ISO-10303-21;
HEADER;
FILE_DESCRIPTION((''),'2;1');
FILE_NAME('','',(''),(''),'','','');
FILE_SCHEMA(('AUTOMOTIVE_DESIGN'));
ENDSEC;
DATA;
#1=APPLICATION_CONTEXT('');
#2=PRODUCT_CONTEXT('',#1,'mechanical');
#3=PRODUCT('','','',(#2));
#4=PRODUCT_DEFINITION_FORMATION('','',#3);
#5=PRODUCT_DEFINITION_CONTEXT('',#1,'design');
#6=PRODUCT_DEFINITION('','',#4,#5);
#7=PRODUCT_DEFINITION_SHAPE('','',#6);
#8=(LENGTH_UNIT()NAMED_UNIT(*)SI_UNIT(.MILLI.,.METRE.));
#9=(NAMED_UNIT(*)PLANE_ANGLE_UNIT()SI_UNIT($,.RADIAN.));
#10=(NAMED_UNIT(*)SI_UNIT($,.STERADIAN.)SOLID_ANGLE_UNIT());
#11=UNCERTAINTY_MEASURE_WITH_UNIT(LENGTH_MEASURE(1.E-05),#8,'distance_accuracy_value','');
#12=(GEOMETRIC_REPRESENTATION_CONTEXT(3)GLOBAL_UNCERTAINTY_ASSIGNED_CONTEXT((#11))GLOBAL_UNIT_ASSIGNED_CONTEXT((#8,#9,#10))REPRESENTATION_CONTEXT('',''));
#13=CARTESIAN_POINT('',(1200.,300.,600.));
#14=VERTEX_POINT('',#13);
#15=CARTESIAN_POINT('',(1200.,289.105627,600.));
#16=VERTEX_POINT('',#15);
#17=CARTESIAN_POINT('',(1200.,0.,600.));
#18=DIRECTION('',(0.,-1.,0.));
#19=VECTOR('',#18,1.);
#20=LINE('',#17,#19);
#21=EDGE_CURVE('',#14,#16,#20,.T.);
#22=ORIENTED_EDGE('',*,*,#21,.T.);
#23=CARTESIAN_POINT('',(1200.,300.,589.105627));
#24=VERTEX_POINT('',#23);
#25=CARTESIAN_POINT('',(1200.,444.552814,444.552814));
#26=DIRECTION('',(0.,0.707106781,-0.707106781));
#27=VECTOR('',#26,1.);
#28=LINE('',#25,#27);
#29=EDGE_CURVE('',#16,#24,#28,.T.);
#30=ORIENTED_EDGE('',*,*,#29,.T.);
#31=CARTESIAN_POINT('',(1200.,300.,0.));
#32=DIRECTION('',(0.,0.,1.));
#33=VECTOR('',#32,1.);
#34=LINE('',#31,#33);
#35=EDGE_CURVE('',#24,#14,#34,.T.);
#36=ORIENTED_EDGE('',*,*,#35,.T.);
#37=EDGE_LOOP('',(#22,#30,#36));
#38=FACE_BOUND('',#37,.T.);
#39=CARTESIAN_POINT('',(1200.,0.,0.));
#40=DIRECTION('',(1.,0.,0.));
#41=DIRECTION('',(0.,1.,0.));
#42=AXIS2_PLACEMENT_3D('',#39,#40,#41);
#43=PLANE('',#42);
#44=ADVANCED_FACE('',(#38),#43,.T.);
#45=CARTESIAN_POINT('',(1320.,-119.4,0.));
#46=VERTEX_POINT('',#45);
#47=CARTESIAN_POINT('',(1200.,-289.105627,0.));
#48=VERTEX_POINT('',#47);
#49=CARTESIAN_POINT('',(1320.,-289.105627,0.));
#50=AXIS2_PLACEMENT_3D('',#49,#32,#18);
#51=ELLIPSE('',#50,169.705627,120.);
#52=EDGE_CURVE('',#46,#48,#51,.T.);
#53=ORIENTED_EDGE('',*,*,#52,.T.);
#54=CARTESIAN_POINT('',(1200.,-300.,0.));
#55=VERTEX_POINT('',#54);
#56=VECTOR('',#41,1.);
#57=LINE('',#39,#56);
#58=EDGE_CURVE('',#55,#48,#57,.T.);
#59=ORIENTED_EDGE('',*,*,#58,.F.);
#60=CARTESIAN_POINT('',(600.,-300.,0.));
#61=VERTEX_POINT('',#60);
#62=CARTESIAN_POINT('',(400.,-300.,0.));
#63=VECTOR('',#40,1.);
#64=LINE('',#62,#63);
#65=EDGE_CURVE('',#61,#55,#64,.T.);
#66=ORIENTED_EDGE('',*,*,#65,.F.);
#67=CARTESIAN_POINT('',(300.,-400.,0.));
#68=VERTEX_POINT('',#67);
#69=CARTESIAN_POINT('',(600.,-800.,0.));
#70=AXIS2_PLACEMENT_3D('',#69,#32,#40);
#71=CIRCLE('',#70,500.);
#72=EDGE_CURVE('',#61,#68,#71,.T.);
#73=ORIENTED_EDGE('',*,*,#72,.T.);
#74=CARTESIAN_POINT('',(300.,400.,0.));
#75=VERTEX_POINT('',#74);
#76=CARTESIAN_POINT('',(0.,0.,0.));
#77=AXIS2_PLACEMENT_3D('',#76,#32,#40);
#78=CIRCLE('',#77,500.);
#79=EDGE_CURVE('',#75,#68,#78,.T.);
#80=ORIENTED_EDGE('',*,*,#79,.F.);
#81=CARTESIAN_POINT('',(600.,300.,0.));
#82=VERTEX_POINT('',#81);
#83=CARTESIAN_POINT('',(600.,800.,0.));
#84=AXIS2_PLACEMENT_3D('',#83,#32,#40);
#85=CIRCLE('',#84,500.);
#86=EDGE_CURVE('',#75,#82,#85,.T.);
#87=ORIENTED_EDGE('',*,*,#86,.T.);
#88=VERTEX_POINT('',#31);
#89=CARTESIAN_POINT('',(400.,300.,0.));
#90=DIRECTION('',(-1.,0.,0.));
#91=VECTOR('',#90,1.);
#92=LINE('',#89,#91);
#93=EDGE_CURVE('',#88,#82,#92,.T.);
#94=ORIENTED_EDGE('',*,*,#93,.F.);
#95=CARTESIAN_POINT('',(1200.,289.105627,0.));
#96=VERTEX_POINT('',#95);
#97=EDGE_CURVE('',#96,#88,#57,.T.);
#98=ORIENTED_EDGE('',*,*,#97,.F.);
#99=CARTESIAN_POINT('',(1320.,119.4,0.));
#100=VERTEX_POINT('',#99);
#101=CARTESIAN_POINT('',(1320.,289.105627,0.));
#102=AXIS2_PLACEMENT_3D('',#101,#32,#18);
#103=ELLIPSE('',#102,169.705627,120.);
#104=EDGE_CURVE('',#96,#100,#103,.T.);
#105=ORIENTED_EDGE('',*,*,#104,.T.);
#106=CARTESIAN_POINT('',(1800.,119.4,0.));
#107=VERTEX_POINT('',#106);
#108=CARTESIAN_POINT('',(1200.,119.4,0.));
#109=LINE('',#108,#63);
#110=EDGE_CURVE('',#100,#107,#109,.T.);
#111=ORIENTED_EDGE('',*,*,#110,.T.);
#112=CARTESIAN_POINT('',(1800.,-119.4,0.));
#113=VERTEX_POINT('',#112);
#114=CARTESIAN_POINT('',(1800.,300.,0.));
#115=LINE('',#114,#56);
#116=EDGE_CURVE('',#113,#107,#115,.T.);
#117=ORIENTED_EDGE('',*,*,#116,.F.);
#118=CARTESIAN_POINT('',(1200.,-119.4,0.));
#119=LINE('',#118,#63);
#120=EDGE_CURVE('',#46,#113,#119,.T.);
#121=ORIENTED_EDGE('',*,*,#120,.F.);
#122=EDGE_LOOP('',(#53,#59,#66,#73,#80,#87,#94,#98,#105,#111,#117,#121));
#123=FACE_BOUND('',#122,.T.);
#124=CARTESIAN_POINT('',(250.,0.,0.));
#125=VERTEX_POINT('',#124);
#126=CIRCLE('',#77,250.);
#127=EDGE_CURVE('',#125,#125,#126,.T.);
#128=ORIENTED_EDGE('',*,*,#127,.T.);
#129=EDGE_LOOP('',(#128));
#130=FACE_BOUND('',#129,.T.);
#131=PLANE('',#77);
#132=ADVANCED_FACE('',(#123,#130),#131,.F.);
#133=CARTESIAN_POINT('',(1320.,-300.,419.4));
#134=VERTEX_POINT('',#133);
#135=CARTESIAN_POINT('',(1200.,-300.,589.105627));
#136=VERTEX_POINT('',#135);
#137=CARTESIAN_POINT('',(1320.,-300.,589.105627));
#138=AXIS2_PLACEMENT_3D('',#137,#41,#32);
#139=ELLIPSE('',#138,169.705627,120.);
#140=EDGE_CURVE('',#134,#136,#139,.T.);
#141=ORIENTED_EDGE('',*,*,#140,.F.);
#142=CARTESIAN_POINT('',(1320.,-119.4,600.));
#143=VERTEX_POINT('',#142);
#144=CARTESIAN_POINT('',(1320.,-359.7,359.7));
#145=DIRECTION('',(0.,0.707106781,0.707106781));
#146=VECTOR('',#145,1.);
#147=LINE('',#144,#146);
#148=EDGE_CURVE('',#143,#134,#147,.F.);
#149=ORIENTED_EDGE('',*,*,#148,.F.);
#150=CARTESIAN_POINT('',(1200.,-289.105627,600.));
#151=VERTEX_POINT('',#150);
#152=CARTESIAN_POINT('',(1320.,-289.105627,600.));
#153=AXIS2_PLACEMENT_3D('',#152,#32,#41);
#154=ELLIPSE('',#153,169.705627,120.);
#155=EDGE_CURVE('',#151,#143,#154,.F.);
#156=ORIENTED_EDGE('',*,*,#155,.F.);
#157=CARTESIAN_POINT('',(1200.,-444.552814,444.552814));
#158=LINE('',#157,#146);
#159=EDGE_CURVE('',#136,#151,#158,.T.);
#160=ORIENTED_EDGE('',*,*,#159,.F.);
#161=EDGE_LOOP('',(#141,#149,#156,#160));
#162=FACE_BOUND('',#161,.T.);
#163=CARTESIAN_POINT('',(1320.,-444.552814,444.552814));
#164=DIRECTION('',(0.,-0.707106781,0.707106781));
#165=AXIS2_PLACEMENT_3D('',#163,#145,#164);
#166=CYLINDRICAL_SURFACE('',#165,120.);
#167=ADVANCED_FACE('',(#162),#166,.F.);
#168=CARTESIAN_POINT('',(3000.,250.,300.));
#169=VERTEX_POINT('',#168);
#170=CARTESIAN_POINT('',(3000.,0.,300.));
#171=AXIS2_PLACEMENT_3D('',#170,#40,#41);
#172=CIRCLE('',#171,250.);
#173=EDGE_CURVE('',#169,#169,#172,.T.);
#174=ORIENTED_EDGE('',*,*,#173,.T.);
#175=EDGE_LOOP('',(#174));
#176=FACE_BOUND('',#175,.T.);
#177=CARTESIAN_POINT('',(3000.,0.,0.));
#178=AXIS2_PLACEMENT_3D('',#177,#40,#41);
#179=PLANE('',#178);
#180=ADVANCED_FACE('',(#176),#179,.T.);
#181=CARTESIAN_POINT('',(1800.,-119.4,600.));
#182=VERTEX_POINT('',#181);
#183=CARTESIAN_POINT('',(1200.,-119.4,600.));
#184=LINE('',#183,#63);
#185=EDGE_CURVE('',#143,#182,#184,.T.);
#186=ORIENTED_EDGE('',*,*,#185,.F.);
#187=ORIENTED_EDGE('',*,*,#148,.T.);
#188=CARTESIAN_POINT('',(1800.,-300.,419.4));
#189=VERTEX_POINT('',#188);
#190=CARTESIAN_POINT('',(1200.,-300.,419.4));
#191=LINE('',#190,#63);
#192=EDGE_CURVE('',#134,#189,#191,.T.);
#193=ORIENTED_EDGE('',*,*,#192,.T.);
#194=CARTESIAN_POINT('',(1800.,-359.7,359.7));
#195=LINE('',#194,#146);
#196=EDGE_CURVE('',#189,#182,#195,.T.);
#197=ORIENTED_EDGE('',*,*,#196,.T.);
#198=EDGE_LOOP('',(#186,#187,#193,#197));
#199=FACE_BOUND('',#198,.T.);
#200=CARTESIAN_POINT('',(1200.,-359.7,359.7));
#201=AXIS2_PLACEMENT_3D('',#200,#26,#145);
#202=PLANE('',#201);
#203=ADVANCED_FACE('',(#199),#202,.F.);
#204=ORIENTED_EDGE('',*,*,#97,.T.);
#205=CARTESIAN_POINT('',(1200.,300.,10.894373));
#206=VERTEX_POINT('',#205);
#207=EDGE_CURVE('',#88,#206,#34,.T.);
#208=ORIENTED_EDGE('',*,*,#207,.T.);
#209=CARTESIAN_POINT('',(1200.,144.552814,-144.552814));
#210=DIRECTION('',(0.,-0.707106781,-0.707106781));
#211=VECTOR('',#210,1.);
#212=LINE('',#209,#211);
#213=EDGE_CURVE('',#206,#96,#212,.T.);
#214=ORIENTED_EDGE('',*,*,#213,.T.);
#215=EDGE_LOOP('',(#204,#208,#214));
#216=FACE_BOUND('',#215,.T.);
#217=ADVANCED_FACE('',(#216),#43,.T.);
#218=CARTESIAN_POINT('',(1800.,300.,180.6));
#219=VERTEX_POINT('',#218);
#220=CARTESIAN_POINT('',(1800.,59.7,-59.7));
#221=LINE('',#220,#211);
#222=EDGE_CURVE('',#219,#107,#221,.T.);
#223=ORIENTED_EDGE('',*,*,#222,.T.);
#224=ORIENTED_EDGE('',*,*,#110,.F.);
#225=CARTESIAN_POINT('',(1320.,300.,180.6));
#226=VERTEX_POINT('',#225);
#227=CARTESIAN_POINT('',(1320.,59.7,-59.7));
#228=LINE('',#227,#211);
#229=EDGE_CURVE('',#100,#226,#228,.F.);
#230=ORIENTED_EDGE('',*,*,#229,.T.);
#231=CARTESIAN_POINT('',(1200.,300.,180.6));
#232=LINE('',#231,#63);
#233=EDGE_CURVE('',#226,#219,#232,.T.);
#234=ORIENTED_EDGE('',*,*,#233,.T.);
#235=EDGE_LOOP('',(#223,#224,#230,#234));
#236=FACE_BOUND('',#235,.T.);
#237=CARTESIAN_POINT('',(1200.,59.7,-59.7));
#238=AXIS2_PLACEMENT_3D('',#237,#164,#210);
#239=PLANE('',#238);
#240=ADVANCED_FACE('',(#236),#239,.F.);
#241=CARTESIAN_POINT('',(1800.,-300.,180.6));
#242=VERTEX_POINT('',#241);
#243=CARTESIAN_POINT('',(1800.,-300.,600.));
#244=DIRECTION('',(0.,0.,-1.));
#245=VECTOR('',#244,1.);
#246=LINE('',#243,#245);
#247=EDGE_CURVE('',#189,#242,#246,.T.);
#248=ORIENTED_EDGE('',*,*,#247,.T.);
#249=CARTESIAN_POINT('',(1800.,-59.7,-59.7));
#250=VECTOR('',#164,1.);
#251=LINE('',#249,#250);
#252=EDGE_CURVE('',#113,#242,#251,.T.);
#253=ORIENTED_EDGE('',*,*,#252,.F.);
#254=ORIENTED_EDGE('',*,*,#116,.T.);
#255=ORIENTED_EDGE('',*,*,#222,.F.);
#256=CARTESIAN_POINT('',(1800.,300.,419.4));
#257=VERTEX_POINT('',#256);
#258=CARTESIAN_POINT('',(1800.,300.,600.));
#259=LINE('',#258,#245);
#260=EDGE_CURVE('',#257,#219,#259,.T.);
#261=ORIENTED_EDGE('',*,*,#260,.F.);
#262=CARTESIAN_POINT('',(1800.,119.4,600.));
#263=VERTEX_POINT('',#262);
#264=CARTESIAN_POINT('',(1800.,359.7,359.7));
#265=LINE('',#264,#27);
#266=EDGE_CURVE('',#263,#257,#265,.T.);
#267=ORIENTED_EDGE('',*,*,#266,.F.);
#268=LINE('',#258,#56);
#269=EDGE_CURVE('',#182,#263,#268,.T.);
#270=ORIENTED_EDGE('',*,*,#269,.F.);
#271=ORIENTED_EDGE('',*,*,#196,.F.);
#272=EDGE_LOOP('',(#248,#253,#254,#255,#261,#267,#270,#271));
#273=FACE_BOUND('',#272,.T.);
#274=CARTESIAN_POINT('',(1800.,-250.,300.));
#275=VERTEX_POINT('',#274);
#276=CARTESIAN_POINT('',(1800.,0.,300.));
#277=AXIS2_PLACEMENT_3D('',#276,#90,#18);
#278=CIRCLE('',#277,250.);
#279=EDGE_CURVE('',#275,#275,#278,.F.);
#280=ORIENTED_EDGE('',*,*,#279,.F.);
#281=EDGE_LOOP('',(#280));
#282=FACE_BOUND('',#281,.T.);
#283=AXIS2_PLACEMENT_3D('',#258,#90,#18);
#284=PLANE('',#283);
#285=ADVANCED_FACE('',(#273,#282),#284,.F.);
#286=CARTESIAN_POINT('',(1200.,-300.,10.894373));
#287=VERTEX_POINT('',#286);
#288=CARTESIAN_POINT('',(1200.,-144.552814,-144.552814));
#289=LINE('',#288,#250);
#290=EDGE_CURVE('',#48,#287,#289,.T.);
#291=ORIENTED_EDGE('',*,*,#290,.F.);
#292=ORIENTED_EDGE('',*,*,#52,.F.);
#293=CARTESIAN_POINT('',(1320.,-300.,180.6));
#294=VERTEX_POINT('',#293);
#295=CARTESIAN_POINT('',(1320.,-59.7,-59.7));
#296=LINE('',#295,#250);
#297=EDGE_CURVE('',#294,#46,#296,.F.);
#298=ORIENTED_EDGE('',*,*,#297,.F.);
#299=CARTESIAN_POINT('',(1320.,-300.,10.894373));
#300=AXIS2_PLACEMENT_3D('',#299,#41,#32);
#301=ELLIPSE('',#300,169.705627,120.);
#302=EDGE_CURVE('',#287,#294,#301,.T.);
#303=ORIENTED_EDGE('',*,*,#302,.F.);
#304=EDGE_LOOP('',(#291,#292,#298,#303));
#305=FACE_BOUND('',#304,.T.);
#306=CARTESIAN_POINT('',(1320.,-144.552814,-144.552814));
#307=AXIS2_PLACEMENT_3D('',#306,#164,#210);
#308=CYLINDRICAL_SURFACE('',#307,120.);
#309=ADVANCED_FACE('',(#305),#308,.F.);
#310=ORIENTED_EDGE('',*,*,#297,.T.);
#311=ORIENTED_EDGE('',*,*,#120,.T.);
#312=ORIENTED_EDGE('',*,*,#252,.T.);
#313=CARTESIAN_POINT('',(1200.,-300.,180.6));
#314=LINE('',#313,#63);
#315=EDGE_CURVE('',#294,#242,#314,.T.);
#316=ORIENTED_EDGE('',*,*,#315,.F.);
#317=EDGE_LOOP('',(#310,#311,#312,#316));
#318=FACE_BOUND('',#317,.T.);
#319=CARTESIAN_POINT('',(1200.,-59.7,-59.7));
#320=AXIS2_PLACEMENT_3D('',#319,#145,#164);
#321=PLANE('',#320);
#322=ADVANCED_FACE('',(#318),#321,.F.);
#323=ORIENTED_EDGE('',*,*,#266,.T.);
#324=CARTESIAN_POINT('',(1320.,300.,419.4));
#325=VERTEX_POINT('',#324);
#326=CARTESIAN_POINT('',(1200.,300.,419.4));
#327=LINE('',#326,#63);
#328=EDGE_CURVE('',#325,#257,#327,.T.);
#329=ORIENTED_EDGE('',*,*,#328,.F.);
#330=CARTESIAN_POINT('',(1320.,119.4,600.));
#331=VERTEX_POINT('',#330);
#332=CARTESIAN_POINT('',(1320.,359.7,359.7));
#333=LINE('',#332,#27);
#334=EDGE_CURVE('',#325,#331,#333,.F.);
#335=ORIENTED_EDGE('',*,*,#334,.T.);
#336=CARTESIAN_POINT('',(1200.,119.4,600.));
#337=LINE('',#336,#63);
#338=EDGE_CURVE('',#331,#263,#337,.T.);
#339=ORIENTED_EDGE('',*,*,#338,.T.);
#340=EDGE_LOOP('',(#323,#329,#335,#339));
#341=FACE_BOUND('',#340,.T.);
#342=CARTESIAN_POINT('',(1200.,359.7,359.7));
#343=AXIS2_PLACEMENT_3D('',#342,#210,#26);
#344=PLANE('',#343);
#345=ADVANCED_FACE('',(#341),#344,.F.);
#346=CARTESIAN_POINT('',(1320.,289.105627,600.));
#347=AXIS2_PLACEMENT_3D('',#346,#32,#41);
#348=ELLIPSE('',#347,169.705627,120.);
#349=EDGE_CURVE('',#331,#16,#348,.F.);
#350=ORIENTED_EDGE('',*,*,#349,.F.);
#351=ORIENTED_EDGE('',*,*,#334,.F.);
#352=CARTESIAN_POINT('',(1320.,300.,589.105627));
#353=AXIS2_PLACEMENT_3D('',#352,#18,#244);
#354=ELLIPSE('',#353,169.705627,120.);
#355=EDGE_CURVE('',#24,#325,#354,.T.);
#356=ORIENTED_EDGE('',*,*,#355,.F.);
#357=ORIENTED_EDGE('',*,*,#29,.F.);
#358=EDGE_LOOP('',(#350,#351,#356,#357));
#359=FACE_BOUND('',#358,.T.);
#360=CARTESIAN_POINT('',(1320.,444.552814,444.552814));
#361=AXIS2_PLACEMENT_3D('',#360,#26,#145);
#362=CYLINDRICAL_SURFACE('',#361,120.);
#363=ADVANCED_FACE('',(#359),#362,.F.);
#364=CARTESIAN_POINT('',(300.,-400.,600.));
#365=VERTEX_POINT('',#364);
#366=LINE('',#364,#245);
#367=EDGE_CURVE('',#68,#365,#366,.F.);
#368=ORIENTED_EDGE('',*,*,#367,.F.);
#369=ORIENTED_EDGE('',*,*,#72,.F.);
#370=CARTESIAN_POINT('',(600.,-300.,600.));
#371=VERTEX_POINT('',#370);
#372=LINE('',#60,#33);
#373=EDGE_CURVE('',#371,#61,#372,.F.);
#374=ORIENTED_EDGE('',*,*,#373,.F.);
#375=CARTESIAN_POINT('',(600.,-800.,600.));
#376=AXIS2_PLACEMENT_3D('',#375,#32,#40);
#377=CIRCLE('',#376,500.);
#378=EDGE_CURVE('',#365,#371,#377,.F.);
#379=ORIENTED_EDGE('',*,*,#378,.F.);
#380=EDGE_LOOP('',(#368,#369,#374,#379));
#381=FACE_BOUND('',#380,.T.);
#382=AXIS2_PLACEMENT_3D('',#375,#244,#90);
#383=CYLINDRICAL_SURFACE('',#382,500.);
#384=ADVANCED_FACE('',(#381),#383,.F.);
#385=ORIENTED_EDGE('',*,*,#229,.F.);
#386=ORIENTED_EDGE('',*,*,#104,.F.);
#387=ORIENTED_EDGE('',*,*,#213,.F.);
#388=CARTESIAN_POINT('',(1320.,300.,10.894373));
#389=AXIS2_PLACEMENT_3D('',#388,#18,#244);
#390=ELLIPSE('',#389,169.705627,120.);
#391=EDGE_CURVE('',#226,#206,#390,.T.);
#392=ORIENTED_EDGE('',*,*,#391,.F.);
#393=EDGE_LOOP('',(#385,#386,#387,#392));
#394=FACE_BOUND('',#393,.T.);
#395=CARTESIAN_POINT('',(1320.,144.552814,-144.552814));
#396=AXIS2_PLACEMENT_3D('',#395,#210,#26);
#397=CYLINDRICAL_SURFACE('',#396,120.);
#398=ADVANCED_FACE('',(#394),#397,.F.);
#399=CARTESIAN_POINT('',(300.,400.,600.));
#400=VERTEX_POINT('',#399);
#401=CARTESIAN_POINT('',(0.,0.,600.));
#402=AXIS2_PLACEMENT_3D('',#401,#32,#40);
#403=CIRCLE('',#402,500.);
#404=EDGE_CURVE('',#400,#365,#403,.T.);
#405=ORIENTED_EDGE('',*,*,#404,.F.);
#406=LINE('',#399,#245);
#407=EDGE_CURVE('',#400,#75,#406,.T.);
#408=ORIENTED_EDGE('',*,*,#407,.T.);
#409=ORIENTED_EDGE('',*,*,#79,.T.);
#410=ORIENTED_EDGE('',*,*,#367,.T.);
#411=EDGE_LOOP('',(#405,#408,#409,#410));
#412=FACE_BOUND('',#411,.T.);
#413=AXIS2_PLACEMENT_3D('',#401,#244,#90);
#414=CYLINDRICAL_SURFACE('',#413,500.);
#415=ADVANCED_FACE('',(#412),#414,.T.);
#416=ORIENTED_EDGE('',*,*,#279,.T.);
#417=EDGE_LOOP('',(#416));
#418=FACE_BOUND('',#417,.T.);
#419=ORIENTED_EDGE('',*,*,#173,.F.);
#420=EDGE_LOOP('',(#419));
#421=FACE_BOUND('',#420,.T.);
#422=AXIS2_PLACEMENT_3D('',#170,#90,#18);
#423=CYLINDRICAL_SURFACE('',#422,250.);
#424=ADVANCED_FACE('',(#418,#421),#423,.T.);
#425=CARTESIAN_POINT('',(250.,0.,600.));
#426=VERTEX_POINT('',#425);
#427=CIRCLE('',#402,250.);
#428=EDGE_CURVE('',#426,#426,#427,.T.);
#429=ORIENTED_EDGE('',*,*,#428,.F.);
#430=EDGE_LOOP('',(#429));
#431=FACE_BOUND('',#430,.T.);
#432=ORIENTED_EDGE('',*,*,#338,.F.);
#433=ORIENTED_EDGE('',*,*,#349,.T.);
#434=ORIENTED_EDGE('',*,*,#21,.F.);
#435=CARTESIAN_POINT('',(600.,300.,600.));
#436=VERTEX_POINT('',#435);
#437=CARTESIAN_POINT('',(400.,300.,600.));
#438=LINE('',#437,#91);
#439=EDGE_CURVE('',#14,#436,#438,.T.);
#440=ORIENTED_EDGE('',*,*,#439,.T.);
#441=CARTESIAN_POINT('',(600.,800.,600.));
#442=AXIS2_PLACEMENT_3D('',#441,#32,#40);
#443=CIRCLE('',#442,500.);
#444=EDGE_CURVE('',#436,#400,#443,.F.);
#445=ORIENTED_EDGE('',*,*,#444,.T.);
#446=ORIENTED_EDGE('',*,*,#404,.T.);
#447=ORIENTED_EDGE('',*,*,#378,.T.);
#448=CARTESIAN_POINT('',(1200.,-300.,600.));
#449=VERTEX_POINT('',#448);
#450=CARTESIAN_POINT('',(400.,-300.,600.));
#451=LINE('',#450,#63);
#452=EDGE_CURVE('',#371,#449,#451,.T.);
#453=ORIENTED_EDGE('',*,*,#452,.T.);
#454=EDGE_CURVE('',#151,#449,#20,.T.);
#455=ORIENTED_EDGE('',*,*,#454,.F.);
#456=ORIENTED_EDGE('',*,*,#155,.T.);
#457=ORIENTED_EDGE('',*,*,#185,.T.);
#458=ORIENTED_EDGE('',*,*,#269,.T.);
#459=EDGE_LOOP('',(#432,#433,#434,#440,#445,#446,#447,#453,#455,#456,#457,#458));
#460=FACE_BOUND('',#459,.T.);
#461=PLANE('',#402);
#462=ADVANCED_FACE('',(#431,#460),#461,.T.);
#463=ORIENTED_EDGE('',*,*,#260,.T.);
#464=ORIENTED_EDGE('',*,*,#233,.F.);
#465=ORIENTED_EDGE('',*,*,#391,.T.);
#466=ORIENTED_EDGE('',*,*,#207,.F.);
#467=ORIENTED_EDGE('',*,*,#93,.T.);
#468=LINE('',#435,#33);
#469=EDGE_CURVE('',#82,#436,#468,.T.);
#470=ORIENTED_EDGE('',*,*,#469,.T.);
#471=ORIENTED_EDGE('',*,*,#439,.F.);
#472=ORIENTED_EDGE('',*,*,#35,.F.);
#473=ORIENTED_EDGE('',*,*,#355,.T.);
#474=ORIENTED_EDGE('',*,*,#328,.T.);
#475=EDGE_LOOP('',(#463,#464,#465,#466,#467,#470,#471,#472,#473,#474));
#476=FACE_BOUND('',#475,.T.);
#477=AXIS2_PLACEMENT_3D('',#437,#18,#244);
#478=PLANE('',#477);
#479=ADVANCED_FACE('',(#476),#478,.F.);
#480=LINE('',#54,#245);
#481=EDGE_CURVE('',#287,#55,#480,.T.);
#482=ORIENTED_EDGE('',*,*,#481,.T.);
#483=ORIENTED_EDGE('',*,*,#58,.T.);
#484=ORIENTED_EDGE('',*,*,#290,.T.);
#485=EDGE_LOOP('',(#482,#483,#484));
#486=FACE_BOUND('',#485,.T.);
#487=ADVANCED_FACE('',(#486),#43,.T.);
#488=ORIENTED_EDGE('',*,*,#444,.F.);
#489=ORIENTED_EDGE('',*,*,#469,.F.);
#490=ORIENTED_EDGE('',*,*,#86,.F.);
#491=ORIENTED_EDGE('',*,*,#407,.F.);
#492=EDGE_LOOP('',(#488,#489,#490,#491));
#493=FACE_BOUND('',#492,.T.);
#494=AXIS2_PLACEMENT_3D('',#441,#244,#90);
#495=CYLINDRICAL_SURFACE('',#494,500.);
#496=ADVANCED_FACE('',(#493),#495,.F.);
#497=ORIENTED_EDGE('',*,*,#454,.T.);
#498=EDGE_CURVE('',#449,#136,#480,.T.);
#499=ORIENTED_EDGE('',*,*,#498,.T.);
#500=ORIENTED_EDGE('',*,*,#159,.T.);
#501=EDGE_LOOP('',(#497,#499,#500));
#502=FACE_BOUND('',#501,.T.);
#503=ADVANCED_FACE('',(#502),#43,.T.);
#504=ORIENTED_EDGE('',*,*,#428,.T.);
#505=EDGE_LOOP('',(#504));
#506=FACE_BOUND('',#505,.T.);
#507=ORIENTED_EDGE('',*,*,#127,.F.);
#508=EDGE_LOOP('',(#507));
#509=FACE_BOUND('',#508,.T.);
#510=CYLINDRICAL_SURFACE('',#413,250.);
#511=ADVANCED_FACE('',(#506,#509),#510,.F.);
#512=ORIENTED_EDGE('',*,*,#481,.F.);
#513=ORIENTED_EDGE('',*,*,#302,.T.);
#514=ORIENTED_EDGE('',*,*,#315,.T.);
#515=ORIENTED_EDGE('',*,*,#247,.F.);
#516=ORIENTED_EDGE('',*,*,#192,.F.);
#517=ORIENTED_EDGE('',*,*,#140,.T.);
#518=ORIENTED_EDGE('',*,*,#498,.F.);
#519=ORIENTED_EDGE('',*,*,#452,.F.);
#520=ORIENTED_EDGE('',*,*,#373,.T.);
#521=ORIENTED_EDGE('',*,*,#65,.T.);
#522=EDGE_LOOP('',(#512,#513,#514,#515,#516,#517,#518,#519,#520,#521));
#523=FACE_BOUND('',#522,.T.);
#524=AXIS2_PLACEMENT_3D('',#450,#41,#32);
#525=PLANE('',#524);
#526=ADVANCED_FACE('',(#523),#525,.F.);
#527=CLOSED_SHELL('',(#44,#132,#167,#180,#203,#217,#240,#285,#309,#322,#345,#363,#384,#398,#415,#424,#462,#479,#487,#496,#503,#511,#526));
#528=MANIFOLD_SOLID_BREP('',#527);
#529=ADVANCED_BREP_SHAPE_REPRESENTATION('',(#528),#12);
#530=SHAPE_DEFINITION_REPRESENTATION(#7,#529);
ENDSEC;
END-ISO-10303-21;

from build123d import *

# Parameters (mm, degrees)
SKETCH1_R           = 250
BOSS_EXTRUDE1_DEPTH = 600
FILLET1_R           = 500
FILLET2_R           = 500
CUT_EXTRUDE2_DEPTH  = 600
SKETCH2_4_R         = 250
BOSS_EXTRUDE2_DEPTH = 1200
FILLET3_R           = 120


with BuildPart() as part:
    # Sketch1 → Boss-Extrude1 (new body)
    with BuildSketch(Plane.XY):
        with BuildLine():
            Line((400, 300), (1800, 300))
            Line((1800, 300), (1800, -300))
            Line((1800, -300), (400, -300))
            ThreePointArc((400, -300), (-500, 0), (400, 300))
        make_face()
        Circle(SKETCH1_R, mode=Mode.SUBTRACT)
    extrude(amount=BOSS_EXTRUDE1_DEPTH)

    # Fillet1
    fillet1_edges = [part.edges().sort_by_distance(p)[0] for p in [
        (400, 300, 300),
    ]]
    fillet(fillet1_edges, radius=FILLET1_R)

    # Fillet2
    fillet2_edges = [part.edges().sort_by_distance(p)[0] for p in [
        (400, -300, 300),
    ]]
    fillet(fillet2_edges, radius=FILLET2_R)

    # Sketch2 → Cut-Extrude2 (cut)
    with BuildSketch(Plane(origin=(1800, 0, 0), x_dir=(0, 0, -1), z_dir=(1, 0, 0))):
        Polygon((0, 119.4), (0, 300), (-180.6, 300), align=None)
        Polygon((-600, 119.4), (-419.4, 300), (-600, 300), align=None)
        Polygon((0, -300), (0, -119.4), (-180.6, -300), align=None)
        Polygon((-419.4, -300), (-600, -119.4), (-600, -300), align=None)
    extrude(amount=-CUT_EXTRUDE2_DEPTH, mode=Mode.SUBTRACT)

    # Sketch2<4> → Boss-Extrude2 (add)
    with BuildSketch(Plane(origin=(1800, 0, 0), x_dir=(0, 0, -1), z_dir=(1, 0, 0))):
        with Locations((-300, 0)):
            Circle(SKETCH2_4_R)
    extrude(amount=BOSS_EXTRUDE2_DEPTH)

    # Fillet3
    fillet3_edges = [part.edges().sort_by_distance(p)[0] for p in [
        (1200, -209.7, 509.7),
        (1200, -209.7, 90.3),
        (1200, 209.7, 90.3),
        (1200, 209.7, 509.7),
    ]]
    fillet(fillet3_edges, radius=FILLET3_R)


solid = part.part
